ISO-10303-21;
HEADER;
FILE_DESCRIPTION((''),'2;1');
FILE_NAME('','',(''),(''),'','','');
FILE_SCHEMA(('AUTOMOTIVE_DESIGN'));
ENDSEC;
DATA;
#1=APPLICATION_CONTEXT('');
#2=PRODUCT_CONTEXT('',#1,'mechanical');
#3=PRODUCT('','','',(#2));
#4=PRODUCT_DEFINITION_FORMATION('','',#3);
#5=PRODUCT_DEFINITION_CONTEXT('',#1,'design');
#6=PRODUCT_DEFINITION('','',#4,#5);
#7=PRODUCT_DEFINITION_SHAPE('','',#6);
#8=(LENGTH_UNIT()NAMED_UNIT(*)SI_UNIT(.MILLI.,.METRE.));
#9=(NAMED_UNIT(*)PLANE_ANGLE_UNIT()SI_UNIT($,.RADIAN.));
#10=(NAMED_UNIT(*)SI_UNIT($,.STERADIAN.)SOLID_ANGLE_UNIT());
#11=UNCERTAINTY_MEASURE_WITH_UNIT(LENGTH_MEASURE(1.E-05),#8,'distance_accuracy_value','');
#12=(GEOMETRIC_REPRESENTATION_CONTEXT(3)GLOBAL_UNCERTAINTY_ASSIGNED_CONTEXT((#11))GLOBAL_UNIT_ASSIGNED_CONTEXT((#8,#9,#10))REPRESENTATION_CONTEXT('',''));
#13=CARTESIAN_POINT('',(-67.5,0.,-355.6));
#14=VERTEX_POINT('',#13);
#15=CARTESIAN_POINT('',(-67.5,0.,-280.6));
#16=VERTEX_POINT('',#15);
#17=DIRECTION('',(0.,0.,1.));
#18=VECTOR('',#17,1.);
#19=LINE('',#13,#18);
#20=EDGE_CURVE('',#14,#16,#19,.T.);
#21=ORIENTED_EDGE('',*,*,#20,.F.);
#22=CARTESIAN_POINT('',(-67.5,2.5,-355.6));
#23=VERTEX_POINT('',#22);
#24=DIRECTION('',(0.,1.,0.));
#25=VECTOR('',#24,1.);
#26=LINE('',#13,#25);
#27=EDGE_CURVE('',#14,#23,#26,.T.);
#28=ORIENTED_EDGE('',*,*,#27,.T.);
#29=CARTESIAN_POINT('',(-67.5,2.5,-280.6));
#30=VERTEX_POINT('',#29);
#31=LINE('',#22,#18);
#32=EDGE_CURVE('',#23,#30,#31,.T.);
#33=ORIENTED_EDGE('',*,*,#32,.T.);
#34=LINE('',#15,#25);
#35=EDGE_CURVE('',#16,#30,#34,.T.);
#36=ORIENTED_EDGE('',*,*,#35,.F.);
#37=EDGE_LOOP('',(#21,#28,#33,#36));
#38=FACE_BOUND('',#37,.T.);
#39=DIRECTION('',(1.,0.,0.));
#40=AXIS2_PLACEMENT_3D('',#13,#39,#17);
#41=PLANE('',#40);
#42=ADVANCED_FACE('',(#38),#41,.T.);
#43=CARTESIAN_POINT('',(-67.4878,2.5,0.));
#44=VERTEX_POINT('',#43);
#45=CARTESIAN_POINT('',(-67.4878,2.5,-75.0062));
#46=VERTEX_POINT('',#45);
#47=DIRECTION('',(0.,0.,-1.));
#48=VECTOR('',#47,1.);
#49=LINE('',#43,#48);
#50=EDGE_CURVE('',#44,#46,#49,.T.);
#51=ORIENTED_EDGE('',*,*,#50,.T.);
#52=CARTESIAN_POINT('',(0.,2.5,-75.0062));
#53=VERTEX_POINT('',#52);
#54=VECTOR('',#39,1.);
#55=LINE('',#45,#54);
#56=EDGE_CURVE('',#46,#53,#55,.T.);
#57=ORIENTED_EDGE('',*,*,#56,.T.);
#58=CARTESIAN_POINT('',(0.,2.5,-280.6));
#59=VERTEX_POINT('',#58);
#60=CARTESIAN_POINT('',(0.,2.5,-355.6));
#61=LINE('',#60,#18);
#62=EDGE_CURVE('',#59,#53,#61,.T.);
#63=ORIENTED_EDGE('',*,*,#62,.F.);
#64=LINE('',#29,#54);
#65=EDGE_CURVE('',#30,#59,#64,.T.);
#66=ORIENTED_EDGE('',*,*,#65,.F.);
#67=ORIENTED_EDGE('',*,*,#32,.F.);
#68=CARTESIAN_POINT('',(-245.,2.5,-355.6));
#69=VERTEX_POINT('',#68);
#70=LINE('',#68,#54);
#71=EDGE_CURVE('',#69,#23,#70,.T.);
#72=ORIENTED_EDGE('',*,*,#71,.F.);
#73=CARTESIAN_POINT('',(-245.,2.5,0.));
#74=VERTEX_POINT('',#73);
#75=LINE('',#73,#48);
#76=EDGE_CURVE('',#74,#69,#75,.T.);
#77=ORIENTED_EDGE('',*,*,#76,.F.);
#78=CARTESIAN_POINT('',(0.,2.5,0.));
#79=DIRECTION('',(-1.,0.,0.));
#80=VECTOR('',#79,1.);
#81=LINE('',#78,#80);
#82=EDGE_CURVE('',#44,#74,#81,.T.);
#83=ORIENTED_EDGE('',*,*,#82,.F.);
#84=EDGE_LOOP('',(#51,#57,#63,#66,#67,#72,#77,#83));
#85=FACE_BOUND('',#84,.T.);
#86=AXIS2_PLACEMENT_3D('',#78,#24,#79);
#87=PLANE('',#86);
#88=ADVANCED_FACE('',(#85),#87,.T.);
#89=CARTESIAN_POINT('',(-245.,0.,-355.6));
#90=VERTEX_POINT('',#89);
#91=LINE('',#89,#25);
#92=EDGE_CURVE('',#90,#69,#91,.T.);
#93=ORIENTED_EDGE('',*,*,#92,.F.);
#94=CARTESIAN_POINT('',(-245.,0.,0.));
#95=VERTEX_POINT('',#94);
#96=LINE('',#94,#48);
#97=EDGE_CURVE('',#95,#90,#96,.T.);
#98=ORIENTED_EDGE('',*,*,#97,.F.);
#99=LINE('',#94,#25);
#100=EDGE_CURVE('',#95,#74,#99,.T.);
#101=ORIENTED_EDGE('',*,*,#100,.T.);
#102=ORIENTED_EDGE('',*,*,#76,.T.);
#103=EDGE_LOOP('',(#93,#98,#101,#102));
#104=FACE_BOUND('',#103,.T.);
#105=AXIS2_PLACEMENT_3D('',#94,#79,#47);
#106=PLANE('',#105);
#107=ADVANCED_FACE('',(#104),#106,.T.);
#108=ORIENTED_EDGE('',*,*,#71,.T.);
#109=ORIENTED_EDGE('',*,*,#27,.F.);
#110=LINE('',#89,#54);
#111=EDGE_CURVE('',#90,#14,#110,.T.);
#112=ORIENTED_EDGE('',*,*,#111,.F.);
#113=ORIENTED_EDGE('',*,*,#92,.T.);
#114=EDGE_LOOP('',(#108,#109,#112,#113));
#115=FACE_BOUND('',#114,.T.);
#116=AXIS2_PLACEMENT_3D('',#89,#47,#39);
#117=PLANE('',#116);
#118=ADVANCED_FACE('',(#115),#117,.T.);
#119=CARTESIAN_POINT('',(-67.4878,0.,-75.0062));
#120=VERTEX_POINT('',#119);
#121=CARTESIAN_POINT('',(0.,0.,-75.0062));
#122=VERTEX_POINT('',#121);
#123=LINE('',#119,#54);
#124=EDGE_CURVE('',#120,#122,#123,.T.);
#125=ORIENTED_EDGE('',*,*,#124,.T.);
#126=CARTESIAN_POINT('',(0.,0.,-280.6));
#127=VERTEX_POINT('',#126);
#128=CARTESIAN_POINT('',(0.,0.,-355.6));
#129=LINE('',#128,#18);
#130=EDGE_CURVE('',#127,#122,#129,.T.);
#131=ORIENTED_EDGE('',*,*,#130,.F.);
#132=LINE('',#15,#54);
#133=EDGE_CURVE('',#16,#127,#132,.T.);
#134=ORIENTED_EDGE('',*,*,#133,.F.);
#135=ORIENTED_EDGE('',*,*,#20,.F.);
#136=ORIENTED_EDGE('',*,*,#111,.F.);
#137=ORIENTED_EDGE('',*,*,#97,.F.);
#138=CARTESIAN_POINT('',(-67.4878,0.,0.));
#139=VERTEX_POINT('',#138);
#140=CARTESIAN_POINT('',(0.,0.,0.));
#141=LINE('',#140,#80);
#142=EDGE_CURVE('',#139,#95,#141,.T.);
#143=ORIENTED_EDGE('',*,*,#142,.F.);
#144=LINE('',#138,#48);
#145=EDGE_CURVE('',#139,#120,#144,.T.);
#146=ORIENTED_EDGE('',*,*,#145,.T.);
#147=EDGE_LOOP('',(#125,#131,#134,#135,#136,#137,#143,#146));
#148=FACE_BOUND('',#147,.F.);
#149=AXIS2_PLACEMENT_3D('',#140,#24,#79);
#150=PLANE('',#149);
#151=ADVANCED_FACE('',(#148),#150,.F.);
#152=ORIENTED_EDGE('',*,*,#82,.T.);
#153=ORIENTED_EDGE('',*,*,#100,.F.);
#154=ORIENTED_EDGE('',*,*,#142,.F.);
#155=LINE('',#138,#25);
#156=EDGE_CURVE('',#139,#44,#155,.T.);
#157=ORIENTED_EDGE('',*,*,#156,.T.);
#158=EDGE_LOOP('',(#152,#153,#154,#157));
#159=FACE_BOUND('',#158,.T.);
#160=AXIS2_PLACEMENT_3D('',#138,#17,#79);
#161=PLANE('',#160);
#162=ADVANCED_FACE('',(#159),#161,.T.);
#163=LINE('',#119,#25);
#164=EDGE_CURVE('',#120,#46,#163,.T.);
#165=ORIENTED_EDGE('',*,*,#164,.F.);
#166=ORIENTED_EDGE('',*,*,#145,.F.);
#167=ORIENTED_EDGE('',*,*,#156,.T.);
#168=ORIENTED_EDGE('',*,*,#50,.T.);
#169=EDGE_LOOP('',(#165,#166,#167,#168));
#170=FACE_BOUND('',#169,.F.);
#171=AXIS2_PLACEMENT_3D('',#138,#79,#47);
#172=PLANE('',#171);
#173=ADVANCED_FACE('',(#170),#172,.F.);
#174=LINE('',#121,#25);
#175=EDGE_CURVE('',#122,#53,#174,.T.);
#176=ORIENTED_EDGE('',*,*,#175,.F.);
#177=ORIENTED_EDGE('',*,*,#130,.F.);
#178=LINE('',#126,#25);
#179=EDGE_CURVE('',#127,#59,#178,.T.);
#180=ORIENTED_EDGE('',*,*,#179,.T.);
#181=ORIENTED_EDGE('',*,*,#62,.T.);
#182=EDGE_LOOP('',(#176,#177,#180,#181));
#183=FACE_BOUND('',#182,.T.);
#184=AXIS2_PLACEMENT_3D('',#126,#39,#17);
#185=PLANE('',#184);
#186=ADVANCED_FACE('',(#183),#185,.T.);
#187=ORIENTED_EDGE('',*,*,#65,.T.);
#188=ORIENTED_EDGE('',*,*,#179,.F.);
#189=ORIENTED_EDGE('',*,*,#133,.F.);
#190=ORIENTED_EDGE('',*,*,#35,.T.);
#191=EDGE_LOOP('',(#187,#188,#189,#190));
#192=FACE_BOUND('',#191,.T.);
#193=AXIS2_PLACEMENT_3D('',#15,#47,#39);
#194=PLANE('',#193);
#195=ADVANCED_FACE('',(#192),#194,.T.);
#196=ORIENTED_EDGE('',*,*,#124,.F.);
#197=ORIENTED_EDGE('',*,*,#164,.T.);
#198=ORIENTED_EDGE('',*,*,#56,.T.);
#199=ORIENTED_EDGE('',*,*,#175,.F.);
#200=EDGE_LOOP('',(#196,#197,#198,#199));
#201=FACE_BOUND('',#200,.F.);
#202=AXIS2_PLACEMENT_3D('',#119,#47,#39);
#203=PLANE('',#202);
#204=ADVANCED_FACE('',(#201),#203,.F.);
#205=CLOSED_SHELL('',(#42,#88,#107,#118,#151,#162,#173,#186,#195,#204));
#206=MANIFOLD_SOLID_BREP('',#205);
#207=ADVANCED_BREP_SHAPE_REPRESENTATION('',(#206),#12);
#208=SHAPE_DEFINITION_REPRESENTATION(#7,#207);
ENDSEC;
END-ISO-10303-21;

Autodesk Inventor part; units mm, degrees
ref_plane "YZ Plane" through (0, 0, 0) normal (1, 0, 0) x (0, 1, 0)
ref_plane "XZ Plane" through (0, 0, 0) normal (0, 1, 0) x (-1, 0, 0)
ref_plane "XY Plane" through (0, 0, 0) normal (0, 0, 1) x (1, 0, 0)
sketch "Sketch1" plane through (0, 0, 0) normal (0, 1, 0) x (-1, 0, 0)
  line L0 (0, 0) -> (245, 0)
  line L1 (245, 0) -> (245, -355.6)
  line L2 (245, -355.6) -> (0, -355.6)
  line L3 (0, -355.6) -> (0, 0)
  line L4 (0, -355.6) -> (67.5, -355.6)
  line L5 (67.5, -355.6) -> (67.5, -280.6)
  line L6 (67.5, -280.6) -> (0, -280.6)
  line L7 (0, -280.6) -> (0, -355.6)
  line L8 (0, 0) -> (67.4878, 0)
  line L9 (67.4878, 0) -> (67.4878, -75.0062)
  line L10 (67.4878, -75.0062) -> (0, -75.0062)
  line L11 (0, -75.0062) -> (0, 0)
  dimension "d0" = 245
  dimension "d1" = 355.6
  dimension "d2" = 67.5
  dimension "d3" = 75
  dimension "d4" = 67.4878
  dimension "d5" = 75.0062
extrude "Extrusion1" add sketch "Sketch1" along normal blind 2.5 contours L0 L1 L2 L5 L6 L3 L10 L9
properties part number "Plexiglass Mounting Sheet" material "Acrylic, Clear"
